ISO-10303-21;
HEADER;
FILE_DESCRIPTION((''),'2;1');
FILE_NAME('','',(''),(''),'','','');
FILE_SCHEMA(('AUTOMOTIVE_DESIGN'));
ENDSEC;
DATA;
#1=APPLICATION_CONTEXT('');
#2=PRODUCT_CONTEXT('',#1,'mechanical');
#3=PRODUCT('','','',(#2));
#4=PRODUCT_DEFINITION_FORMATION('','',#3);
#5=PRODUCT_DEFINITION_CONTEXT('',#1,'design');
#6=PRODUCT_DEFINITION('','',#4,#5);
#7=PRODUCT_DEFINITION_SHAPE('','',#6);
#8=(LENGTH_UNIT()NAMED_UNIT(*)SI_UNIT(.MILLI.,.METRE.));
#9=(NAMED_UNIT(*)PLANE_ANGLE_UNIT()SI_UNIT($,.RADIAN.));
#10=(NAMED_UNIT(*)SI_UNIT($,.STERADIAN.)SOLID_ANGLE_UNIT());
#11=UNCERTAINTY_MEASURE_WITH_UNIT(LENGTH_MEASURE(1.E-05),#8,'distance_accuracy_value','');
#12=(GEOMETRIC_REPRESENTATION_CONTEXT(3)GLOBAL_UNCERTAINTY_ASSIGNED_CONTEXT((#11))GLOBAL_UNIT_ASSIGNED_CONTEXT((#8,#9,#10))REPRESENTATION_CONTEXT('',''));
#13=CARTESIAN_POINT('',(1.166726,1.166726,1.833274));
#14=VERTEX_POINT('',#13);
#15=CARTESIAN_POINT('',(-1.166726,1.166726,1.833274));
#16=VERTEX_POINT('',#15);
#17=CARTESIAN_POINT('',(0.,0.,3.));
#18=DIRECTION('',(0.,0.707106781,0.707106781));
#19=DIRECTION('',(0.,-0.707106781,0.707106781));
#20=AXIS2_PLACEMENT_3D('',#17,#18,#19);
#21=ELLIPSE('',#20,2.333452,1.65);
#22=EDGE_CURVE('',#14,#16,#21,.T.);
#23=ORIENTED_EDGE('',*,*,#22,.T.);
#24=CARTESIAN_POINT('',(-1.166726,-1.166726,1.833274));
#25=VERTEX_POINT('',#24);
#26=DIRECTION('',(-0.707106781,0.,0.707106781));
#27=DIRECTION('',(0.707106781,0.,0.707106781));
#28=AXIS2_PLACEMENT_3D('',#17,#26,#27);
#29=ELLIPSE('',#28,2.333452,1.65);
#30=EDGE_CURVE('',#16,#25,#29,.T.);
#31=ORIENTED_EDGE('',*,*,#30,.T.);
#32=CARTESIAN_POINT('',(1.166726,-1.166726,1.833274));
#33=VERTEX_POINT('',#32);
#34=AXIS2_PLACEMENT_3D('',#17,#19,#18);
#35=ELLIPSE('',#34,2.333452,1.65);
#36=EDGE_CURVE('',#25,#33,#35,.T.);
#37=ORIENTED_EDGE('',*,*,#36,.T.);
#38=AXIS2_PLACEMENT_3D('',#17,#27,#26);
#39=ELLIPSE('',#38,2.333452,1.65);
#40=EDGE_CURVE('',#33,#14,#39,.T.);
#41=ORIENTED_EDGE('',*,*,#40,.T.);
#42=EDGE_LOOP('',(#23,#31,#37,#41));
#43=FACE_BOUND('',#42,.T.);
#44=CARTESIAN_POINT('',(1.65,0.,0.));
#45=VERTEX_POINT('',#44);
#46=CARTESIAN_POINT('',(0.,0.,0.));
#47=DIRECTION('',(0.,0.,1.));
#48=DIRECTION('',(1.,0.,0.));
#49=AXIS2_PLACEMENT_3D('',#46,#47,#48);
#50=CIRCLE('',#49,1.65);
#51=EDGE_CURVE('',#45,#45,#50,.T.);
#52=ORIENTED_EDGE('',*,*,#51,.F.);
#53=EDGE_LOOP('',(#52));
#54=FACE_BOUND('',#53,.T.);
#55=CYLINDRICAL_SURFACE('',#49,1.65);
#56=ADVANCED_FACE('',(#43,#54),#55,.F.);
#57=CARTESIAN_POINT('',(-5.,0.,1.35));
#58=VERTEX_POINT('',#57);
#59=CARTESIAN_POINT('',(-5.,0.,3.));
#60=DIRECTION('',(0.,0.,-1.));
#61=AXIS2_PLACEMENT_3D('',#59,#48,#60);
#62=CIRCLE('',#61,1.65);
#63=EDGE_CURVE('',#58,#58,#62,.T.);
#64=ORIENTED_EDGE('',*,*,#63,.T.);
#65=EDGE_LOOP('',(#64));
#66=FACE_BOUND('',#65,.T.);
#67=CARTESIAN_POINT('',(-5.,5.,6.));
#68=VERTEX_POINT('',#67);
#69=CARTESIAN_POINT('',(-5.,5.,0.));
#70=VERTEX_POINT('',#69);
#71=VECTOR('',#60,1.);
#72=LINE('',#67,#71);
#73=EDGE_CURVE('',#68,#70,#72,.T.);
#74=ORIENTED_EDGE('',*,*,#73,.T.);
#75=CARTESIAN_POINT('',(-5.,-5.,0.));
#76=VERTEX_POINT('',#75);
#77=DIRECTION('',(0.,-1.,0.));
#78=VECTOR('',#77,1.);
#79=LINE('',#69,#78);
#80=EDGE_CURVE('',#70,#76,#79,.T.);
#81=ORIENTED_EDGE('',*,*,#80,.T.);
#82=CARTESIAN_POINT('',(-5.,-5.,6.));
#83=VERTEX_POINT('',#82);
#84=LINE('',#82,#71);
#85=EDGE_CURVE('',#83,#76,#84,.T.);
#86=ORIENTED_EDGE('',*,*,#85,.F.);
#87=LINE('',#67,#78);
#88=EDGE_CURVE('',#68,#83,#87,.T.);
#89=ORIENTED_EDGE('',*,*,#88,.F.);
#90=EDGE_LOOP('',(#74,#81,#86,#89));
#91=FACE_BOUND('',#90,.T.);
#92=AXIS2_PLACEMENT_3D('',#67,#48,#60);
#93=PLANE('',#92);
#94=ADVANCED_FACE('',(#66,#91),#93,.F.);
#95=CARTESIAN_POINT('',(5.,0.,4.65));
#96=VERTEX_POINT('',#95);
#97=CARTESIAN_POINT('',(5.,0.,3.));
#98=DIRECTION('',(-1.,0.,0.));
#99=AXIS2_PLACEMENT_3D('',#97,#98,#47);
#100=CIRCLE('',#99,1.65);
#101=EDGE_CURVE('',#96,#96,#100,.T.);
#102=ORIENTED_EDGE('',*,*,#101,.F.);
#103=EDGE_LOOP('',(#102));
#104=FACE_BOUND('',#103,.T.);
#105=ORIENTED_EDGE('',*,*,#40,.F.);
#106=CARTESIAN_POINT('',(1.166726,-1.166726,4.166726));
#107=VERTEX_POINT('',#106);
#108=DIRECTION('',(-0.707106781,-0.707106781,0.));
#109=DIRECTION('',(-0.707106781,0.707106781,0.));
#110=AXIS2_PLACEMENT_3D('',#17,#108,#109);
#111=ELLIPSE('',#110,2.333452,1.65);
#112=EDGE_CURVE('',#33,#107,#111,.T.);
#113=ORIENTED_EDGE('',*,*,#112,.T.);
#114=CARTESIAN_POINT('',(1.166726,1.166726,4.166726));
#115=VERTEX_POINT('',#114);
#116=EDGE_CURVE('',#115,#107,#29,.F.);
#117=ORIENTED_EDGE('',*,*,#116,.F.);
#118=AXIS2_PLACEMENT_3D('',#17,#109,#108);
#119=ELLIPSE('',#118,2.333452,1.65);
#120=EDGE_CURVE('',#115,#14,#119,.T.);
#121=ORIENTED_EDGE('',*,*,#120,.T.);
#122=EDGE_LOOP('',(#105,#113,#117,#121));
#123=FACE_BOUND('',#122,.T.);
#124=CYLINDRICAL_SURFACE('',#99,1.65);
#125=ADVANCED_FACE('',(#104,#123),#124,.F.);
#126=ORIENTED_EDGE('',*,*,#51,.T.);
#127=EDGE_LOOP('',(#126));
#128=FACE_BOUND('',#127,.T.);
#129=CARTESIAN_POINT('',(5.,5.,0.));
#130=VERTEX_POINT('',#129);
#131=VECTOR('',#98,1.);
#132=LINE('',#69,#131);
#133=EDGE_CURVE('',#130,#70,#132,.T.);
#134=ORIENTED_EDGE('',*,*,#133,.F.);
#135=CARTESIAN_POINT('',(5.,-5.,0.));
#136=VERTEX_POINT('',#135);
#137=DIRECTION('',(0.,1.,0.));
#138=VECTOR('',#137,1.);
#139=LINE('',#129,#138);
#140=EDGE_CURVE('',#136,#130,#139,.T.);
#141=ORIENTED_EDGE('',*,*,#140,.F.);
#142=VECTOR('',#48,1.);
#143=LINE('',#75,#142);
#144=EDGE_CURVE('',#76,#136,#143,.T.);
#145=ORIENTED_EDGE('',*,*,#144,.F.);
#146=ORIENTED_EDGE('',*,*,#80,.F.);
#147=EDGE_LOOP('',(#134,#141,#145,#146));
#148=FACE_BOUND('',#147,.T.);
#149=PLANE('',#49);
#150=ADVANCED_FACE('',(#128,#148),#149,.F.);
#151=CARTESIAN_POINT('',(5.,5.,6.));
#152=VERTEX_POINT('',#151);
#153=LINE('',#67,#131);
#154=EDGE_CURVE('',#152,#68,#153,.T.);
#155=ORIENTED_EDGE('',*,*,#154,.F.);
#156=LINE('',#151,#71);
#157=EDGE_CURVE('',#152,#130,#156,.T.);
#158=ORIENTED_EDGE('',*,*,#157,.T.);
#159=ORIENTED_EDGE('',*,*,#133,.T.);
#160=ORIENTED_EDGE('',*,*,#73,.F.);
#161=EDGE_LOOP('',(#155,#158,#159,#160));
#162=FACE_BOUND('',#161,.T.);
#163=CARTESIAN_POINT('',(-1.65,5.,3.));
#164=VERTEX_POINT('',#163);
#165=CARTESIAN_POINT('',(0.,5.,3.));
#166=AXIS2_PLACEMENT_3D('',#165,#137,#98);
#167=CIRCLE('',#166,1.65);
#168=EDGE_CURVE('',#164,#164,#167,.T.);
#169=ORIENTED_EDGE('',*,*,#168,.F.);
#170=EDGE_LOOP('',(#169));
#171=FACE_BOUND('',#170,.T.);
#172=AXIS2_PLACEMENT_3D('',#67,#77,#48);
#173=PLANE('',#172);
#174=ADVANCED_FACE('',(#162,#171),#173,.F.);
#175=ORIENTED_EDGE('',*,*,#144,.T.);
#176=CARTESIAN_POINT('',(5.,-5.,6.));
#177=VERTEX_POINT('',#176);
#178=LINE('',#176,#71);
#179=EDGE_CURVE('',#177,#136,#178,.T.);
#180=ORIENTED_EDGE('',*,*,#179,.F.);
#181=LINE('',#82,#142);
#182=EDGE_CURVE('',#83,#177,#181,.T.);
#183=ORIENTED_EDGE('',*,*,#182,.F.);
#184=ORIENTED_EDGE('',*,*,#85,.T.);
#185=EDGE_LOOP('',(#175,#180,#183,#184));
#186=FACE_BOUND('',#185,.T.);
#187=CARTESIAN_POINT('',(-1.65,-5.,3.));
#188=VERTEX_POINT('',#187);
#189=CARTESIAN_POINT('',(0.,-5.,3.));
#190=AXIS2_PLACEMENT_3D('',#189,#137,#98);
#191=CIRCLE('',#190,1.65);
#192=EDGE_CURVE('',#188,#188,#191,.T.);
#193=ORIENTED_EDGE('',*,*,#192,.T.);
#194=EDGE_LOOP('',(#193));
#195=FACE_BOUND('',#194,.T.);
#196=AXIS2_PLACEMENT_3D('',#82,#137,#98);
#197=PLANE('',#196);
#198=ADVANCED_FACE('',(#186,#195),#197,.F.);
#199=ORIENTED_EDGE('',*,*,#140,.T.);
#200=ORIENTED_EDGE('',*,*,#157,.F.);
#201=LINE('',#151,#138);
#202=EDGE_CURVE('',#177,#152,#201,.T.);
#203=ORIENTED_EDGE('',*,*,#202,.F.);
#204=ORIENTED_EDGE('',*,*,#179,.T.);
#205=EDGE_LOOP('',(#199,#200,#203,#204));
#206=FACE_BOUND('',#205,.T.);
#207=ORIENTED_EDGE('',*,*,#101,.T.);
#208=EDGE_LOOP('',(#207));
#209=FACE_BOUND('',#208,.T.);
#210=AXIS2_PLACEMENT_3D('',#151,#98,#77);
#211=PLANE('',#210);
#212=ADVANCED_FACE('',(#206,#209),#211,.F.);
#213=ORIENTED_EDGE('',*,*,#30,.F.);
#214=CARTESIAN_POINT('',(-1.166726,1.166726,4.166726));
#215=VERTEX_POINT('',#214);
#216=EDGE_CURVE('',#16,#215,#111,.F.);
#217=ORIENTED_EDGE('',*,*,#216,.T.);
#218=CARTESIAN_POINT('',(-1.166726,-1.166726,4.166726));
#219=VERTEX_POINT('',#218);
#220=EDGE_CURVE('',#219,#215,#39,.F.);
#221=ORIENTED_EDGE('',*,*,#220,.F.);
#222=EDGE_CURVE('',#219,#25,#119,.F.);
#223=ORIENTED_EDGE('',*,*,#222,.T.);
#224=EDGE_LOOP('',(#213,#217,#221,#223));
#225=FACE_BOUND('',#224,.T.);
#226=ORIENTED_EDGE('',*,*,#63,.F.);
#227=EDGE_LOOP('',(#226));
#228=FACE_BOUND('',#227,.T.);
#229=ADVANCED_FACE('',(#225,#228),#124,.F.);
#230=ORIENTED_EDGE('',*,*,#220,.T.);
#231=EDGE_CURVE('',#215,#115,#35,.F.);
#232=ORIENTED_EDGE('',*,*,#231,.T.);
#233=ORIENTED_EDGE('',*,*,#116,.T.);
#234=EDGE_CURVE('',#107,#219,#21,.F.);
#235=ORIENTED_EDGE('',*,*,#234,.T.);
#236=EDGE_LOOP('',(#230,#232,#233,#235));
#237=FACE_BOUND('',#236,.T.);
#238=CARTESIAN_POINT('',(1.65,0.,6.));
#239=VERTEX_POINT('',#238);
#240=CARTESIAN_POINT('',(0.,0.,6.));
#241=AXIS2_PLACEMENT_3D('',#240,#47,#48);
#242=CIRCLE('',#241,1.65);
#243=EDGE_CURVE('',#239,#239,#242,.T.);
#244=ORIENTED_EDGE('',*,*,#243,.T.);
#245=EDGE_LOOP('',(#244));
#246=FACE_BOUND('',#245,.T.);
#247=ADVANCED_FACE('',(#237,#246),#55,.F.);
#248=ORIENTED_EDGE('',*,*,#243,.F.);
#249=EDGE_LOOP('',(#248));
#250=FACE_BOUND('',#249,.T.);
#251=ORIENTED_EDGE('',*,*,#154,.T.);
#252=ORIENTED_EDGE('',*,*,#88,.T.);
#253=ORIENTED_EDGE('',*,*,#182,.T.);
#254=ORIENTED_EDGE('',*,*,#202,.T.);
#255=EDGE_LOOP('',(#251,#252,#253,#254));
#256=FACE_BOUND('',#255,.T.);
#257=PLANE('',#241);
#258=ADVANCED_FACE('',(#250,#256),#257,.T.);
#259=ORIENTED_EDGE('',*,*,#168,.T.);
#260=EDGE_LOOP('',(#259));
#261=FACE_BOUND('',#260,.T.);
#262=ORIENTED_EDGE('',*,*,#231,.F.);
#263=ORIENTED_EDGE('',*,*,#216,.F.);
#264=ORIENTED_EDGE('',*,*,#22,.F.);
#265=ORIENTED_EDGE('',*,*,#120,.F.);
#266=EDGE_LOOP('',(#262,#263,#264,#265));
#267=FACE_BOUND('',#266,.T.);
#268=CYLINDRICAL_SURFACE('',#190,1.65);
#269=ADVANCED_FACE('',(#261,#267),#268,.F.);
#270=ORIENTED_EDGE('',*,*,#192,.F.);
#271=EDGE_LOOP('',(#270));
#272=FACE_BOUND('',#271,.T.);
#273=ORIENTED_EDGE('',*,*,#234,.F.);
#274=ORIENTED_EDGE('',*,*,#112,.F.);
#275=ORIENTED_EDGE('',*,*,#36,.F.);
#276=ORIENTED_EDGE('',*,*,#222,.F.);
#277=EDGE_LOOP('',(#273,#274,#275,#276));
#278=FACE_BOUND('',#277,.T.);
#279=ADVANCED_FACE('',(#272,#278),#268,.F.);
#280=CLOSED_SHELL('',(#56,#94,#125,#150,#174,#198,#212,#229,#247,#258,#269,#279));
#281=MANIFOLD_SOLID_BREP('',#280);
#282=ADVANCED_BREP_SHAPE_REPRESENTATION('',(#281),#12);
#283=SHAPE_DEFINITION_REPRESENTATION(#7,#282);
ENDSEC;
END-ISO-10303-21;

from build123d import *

# Parameters (mm, degrees)
SKETCH_1_W               = 10
SKETCH_1_H               = 10
EXTRUDE_1_DEPTH          = 6
SKETCH_2_R               = 1.65
CUT_EXTRUDE_1_DEPTH      = 6
SKETCH_3_R               = 1.65
CUT_EXTRUDE_2_DEPTH      = 1
CUT_EXTRUDE_2_DEPTH_BACK = 11
SKETCH_4_R               = 1.65
CUT_EXTRUDE_3_DEPTH      = 11


with BuildPart() as part:
    # 草图1 → 凸台-拉伸1 (new body)
    with BuildSketch(Plane.XY):
        Rectangle(SKETCH_1_W, SKETCH_1_H)
    extrude(amount=EXTRUDE_1_DEPTH)

    # 草图2 → 切除-拉伸1 (cut)
    with BuildSketch(Plane.XY.offset(6)):
        Circle(SKETCH_2_R)
    extrude(amount=-CUT_EXTRUDE_1_DEPTH, mode=Mode.SUBTRACT)

    # 草图3 → 切除-拉伸2 (cut, two sides)
    with BuildSketch(Plane.ZY.offset(5)) as cut_extrude_2_sk:
        with Locations((3, 0)):
            Circle(SKETCH_3_R)
    extrude(amount=CUT_EXTRUDE_2_DEPTH, mode=Mode.SUBTRACT)
    extrude(cut_extrude_2_sk.sketch, amount=-CUT_EXTRUDE_2_DEPTH_BACK, mode=Mode.SUBTRACT)

    # 草图4 → 切除-拉伸3 (cut, through all)
    with BuildSketch(Plane(origin=(0, 5, 0), x_dir=(1, 0, 0), z_dir=(0, 1, 0))):
        with Locations((0, -3)):
            Circle(SKETCH_4_R)
    extrude(amount=-CUT_EXTRUDE_3_DEPTH, mode=Mode.SUBTRACT)


solid = part.part
